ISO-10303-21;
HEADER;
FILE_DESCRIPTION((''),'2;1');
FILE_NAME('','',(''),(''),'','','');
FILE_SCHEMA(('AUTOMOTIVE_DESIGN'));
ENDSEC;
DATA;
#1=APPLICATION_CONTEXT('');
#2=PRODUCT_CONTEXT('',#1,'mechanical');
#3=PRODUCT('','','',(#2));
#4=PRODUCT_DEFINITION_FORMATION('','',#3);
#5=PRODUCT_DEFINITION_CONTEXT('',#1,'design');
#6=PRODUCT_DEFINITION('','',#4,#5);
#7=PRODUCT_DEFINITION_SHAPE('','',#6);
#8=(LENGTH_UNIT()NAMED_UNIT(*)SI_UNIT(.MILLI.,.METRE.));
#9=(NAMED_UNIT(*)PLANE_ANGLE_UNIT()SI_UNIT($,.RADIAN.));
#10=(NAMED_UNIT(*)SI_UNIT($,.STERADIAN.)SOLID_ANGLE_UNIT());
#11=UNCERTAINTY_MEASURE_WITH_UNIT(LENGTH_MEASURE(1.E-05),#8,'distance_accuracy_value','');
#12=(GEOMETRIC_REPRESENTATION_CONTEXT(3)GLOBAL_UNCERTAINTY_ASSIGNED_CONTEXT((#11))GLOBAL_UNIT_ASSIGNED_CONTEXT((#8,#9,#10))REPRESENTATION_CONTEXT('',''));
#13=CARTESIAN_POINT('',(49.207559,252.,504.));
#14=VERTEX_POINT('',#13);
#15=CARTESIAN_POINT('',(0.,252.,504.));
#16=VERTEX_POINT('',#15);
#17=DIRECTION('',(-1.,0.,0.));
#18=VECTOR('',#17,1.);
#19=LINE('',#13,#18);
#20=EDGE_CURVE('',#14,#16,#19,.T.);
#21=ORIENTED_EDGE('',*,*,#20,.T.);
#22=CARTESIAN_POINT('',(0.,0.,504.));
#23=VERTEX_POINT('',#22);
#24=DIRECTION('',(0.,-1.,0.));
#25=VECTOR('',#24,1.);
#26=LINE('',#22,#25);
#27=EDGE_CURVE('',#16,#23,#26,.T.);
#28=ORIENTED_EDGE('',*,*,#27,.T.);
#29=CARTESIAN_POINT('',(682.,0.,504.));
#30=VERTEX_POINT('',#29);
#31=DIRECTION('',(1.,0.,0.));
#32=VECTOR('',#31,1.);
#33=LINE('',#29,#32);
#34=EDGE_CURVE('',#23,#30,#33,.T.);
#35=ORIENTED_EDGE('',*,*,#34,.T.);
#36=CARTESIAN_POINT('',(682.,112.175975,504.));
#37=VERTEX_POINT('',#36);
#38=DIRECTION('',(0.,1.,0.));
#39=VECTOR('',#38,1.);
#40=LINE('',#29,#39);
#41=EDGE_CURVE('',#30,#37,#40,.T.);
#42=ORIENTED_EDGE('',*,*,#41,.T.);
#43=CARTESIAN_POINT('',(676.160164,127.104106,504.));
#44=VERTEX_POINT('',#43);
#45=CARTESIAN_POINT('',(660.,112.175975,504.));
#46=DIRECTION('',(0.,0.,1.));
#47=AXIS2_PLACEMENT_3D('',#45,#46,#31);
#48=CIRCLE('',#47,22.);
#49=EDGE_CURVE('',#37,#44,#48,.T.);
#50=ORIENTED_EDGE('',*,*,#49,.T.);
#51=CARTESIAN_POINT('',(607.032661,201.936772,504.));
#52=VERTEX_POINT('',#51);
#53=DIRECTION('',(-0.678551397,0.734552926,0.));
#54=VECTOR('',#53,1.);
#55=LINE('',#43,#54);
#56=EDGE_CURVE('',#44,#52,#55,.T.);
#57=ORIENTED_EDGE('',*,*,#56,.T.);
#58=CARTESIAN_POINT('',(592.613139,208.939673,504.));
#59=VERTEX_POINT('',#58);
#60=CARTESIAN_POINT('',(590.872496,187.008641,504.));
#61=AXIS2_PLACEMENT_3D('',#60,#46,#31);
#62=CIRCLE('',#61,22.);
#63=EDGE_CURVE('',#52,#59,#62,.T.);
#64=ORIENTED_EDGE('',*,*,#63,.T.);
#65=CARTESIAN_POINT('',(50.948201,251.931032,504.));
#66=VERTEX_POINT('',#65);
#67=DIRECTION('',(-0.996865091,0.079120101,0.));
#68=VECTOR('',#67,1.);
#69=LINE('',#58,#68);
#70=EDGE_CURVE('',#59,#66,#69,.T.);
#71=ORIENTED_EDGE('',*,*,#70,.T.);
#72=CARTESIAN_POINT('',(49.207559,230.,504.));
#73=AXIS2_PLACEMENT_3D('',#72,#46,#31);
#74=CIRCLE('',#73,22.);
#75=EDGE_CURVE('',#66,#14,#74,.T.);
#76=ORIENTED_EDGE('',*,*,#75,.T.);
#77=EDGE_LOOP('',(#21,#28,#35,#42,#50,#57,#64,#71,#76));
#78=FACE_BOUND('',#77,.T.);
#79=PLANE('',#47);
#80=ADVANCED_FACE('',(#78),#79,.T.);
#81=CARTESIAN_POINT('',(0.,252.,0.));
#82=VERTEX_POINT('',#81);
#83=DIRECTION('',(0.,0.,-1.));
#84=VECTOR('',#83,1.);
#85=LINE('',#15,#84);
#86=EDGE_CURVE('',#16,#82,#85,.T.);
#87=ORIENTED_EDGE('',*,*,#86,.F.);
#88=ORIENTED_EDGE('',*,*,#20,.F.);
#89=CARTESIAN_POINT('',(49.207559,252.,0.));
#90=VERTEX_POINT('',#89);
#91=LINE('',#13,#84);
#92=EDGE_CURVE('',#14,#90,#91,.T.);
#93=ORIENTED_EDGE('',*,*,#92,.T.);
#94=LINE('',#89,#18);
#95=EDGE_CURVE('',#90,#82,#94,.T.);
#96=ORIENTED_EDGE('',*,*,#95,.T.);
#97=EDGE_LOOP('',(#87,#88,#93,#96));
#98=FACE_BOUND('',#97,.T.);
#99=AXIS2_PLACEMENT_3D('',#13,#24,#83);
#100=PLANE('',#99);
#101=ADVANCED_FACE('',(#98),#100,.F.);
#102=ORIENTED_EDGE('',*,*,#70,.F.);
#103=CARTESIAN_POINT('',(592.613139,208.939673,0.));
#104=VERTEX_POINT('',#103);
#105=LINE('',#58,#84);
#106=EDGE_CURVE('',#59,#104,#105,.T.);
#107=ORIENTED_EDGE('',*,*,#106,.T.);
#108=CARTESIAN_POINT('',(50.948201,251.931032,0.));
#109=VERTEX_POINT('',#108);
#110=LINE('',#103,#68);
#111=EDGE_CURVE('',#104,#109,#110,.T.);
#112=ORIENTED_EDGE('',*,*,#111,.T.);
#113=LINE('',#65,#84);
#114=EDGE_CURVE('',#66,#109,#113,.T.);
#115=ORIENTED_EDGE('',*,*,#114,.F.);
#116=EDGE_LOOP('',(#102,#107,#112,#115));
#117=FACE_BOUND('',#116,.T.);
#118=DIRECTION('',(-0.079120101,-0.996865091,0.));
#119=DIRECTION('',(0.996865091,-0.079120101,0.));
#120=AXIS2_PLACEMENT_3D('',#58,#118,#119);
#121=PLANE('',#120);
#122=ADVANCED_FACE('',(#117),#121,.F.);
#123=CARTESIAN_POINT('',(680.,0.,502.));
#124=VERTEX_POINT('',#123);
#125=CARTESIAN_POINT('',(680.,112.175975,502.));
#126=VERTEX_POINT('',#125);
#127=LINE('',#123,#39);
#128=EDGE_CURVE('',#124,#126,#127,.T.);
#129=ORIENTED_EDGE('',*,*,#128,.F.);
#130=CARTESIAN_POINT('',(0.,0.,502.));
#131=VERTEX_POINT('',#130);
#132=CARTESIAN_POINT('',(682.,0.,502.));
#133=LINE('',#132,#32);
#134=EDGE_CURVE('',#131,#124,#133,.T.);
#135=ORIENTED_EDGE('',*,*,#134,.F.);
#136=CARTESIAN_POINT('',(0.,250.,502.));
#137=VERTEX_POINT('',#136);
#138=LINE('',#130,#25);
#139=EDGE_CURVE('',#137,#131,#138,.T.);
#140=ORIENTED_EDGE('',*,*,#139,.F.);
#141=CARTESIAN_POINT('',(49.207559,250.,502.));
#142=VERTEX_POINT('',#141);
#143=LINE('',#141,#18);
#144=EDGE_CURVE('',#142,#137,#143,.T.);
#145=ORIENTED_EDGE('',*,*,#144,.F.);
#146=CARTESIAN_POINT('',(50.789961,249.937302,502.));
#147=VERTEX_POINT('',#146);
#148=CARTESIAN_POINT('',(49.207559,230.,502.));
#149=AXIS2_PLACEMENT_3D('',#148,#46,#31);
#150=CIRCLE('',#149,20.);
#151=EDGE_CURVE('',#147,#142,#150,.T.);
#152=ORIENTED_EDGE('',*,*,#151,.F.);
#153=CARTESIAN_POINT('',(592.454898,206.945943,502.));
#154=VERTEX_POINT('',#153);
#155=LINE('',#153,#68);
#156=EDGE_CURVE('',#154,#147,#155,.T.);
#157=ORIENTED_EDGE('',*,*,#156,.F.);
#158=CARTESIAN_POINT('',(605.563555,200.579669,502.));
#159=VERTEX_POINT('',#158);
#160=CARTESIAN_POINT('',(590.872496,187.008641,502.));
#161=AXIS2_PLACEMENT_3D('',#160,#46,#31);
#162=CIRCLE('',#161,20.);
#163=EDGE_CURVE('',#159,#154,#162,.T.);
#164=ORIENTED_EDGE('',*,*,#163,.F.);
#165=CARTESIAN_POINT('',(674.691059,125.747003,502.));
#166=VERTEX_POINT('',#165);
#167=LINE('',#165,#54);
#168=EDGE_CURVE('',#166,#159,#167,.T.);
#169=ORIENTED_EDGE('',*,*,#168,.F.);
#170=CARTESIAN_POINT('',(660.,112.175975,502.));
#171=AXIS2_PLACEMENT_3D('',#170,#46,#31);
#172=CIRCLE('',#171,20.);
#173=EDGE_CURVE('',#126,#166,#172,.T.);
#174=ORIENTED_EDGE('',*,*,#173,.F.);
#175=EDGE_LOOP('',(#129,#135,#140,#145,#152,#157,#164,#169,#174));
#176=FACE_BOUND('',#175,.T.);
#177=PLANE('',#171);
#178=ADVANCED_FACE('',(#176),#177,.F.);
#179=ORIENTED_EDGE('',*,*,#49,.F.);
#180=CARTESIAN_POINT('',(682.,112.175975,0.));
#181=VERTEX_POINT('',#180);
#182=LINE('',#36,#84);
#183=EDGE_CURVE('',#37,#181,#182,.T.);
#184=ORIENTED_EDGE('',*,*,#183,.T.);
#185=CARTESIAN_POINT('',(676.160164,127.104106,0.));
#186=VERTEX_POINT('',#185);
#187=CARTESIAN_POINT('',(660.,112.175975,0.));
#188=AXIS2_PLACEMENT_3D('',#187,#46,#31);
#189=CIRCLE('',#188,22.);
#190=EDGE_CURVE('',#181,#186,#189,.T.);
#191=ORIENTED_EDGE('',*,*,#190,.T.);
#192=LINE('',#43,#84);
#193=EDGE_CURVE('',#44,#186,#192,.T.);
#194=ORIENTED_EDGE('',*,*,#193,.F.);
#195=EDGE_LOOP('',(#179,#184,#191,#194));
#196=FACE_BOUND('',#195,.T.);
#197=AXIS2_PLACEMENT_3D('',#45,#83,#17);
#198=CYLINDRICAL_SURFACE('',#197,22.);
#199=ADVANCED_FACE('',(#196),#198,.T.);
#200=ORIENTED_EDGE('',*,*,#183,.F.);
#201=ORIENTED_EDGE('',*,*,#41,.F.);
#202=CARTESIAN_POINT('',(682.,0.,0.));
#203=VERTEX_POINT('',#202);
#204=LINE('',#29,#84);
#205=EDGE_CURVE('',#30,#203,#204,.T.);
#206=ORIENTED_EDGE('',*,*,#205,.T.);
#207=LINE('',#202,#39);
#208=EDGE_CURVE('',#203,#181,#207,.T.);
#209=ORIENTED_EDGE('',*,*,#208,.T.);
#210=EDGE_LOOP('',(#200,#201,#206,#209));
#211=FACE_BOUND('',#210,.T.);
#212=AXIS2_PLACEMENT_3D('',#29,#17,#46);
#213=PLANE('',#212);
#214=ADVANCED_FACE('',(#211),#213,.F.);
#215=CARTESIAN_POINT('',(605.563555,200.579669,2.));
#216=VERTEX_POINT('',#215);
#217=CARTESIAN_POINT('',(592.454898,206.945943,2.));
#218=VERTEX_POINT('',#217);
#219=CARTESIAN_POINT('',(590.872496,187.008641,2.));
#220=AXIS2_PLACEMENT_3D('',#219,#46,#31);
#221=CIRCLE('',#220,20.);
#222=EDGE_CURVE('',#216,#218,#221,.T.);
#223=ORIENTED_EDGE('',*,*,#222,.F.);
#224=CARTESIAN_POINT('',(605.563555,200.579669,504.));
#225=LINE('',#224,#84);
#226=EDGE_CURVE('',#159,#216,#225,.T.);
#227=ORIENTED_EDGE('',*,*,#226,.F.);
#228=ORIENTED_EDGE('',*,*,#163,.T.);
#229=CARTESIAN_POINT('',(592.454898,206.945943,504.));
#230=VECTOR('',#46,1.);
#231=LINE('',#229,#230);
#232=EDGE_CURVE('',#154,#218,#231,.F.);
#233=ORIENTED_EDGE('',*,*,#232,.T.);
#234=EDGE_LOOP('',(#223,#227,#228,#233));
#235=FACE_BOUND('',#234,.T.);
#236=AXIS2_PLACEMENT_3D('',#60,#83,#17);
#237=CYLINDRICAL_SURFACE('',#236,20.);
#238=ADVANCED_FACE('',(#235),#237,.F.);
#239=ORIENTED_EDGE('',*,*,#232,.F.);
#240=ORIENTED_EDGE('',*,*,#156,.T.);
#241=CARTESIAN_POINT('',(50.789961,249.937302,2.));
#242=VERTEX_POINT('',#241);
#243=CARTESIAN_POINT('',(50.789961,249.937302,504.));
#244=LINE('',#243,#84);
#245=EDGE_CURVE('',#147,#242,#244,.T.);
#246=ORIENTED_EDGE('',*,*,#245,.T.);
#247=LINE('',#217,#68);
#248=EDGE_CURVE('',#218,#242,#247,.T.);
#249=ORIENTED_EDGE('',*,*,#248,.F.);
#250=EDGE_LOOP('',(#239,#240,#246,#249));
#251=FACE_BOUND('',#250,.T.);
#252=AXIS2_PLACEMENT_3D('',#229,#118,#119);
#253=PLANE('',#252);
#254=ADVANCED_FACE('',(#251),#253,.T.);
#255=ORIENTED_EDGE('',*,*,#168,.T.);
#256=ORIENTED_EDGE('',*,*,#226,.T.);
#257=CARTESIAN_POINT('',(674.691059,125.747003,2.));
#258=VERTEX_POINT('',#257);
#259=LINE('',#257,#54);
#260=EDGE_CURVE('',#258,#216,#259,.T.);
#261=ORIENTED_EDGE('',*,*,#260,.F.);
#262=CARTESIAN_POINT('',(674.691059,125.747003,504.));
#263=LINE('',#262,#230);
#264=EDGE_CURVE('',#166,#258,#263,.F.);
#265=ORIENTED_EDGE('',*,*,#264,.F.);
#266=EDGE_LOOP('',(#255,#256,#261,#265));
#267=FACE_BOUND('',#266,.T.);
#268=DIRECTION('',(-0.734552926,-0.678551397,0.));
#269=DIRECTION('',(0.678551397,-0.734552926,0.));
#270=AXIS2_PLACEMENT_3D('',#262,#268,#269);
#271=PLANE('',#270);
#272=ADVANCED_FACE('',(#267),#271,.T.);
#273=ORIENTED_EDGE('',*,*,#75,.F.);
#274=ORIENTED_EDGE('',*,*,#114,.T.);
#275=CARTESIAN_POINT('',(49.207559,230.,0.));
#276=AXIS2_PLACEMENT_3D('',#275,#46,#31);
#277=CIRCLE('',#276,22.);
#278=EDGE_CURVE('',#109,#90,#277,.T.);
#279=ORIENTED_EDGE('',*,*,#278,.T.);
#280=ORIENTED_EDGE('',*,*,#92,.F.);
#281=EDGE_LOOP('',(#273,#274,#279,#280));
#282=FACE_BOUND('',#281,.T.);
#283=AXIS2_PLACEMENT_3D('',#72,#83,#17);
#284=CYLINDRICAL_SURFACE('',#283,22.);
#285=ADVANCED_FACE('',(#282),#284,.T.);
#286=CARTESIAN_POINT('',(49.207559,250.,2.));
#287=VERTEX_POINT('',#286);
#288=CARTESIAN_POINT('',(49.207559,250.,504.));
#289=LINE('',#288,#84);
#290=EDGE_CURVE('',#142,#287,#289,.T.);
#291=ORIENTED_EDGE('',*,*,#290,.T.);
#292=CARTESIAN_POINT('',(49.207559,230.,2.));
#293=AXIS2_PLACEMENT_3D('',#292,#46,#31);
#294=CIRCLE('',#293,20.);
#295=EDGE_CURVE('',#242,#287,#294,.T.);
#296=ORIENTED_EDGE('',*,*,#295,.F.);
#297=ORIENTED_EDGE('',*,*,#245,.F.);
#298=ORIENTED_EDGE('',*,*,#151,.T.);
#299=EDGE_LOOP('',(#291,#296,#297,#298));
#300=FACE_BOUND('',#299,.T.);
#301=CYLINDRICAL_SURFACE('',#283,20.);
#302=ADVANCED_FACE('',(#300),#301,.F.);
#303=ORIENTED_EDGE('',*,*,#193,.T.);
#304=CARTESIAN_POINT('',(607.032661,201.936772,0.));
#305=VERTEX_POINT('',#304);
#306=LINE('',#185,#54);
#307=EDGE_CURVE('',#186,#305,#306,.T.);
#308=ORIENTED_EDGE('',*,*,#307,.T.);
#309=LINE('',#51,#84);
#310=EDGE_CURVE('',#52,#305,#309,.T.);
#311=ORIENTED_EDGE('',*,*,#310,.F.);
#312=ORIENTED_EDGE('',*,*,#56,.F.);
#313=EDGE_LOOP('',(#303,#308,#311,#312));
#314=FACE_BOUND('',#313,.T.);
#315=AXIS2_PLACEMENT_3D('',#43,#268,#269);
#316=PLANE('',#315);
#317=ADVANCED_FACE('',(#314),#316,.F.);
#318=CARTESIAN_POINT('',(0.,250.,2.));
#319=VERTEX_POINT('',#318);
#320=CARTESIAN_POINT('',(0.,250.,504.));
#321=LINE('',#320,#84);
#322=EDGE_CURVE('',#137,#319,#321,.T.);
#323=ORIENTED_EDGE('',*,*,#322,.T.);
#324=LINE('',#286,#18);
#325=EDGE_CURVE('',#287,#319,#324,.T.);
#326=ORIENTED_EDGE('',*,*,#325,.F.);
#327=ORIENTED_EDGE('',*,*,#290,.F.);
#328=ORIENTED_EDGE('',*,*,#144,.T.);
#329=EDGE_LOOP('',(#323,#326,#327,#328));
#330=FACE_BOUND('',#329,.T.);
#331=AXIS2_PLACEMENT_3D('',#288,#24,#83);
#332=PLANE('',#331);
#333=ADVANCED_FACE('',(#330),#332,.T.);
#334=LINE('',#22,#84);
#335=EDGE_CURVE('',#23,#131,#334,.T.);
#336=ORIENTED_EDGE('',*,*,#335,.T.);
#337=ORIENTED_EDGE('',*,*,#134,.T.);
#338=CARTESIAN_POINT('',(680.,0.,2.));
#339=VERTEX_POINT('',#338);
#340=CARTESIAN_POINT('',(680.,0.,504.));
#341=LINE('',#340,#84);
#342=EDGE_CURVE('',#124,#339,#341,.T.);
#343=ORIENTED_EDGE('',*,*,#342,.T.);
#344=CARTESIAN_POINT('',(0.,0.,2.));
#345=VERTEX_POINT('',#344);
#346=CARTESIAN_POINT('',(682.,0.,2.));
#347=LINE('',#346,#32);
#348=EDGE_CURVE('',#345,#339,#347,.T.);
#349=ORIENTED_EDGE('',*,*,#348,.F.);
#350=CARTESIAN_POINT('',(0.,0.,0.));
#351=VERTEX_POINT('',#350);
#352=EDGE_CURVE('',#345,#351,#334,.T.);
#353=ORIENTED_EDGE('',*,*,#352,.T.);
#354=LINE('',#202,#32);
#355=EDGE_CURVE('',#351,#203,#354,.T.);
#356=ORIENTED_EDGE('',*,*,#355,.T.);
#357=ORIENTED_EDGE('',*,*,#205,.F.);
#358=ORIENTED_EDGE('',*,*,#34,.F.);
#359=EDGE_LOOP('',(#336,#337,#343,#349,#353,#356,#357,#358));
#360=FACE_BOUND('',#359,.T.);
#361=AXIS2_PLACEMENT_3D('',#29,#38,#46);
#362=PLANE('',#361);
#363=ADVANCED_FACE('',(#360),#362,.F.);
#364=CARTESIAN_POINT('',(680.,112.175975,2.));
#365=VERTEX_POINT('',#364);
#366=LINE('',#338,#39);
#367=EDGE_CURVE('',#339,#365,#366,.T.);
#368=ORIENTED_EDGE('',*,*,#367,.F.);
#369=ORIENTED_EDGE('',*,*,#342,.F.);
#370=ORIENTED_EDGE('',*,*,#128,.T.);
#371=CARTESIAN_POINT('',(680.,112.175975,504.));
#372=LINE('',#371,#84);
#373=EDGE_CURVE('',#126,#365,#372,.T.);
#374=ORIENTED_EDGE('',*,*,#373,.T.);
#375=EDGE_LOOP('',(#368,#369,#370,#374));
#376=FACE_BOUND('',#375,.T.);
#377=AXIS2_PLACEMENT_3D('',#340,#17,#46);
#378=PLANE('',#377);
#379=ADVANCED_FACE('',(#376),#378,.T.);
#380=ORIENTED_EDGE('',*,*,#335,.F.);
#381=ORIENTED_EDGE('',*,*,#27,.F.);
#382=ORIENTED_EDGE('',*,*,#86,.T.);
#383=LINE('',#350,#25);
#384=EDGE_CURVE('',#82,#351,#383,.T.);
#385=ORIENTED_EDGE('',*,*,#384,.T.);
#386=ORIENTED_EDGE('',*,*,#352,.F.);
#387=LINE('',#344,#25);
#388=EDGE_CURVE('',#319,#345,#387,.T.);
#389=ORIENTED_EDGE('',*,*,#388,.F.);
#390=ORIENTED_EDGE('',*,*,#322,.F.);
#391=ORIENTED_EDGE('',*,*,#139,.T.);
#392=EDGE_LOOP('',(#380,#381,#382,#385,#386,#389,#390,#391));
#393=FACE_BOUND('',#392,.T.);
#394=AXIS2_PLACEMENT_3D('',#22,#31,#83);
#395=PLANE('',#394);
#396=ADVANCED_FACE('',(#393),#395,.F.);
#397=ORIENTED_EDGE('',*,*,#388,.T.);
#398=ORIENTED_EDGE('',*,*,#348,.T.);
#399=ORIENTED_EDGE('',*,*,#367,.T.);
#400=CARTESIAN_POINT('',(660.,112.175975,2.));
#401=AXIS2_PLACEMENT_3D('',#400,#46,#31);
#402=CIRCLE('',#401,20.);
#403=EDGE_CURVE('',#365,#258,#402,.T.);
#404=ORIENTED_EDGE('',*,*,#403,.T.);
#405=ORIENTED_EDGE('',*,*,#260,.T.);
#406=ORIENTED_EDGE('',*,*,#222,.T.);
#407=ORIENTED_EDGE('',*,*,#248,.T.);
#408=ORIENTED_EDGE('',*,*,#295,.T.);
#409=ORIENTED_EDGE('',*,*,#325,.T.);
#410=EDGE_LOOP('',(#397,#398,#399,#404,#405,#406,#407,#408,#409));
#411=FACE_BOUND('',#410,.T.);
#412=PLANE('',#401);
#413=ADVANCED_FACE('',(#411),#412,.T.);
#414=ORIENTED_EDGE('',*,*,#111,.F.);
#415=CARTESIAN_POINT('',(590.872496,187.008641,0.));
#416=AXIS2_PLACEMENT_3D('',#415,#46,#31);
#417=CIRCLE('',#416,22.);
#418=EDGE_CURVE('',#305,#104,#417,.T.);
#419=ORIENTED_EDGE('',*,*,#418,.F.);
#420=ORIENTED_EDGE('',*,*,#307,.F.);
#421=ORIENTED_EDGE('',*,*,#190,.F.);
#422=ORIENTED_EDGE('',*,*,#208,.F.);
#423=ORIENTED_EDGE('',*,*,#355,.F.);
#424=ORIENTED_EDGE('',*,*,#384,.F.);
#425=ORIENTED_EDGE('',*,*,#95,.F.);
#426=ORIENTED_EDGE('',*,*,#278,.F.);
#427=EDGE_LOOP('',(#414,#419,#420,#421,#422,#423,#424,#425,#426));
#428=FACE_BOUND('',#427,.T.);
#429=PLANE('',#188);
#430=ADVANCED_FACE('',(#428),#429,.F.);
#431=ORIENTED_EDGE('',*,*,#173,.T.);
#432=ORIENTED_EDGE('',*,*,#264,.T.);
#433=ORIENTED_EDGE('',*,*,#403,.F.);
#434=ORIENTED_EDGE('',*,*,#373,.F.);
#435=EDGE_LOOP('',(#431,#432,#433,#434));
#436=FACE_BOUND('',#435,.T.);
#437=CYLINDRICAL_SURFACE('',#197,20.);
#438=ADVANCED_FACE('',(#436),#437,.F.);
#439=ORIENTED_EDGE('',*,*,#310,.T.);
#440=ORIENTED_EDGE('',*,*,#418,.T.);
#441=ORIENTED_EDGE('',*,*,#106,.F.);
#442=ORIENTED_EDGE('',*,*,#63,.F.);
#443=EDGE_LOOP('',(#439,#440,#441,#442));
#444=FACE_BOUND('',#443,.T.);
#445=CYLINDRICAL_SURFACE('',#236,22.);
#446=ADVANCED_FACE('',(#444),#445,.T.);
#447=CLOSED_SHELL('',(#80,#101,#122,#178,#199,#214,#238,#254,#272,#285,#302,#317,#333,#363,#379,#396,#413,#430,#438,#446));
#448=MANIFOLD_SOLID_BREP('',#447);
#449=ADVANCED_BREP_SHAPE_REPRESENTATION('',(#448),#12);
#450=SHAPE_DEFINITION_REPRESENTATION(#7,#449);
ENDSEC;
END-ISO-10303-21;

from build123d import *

# Parameters (mm, degrees)
BOSS_EXTRUDE1_DEPTH = 504
SHELL1_T            = -2


with BuildPart() as part:
    # Model → Boss-Extrude1 (new body)
    with BuildSketch(Plane.XY):
        with BuildLine():
            Line((0, 0), (0, 252))
            Line((0, 252), (49.207558746, 252))
            ThreePointArc((49.207558746, 252), (50.07856277, 251.982751238), (50.948201, 251.931032))
            Line((50.948201, 251.931032), (592.613138523, 208.939673232))
            ThreePointArc((592.613138523, 208.939673232), (600.483421158, 206.798288112), (607.032660761, 201.936771925))
            Line((607.032660761, 201.936771925), (676.160164376, 127.104105938))
            ThreePointArc((676.160164376, 127.104105938), (680.488089421, 120.190848365), (682, 112.1759752))
            Line((682, 112.1759752), (682, 0))
            Line((682, 0), (0, 0))
        make_face()
    extrude(amount=BOSS_EXTRUDE1_DEPTH)

    # Shell1
    shell1_openings = [part.faces().sort_by_distance(p)[0] for p in [
        (341, 0, 252),
        (0, 126, 252),
    ]]
    offset(amount=SHELL1_T, openings=shell1_openings, kind=Kind.INTERSECTION)


solid = part.part
